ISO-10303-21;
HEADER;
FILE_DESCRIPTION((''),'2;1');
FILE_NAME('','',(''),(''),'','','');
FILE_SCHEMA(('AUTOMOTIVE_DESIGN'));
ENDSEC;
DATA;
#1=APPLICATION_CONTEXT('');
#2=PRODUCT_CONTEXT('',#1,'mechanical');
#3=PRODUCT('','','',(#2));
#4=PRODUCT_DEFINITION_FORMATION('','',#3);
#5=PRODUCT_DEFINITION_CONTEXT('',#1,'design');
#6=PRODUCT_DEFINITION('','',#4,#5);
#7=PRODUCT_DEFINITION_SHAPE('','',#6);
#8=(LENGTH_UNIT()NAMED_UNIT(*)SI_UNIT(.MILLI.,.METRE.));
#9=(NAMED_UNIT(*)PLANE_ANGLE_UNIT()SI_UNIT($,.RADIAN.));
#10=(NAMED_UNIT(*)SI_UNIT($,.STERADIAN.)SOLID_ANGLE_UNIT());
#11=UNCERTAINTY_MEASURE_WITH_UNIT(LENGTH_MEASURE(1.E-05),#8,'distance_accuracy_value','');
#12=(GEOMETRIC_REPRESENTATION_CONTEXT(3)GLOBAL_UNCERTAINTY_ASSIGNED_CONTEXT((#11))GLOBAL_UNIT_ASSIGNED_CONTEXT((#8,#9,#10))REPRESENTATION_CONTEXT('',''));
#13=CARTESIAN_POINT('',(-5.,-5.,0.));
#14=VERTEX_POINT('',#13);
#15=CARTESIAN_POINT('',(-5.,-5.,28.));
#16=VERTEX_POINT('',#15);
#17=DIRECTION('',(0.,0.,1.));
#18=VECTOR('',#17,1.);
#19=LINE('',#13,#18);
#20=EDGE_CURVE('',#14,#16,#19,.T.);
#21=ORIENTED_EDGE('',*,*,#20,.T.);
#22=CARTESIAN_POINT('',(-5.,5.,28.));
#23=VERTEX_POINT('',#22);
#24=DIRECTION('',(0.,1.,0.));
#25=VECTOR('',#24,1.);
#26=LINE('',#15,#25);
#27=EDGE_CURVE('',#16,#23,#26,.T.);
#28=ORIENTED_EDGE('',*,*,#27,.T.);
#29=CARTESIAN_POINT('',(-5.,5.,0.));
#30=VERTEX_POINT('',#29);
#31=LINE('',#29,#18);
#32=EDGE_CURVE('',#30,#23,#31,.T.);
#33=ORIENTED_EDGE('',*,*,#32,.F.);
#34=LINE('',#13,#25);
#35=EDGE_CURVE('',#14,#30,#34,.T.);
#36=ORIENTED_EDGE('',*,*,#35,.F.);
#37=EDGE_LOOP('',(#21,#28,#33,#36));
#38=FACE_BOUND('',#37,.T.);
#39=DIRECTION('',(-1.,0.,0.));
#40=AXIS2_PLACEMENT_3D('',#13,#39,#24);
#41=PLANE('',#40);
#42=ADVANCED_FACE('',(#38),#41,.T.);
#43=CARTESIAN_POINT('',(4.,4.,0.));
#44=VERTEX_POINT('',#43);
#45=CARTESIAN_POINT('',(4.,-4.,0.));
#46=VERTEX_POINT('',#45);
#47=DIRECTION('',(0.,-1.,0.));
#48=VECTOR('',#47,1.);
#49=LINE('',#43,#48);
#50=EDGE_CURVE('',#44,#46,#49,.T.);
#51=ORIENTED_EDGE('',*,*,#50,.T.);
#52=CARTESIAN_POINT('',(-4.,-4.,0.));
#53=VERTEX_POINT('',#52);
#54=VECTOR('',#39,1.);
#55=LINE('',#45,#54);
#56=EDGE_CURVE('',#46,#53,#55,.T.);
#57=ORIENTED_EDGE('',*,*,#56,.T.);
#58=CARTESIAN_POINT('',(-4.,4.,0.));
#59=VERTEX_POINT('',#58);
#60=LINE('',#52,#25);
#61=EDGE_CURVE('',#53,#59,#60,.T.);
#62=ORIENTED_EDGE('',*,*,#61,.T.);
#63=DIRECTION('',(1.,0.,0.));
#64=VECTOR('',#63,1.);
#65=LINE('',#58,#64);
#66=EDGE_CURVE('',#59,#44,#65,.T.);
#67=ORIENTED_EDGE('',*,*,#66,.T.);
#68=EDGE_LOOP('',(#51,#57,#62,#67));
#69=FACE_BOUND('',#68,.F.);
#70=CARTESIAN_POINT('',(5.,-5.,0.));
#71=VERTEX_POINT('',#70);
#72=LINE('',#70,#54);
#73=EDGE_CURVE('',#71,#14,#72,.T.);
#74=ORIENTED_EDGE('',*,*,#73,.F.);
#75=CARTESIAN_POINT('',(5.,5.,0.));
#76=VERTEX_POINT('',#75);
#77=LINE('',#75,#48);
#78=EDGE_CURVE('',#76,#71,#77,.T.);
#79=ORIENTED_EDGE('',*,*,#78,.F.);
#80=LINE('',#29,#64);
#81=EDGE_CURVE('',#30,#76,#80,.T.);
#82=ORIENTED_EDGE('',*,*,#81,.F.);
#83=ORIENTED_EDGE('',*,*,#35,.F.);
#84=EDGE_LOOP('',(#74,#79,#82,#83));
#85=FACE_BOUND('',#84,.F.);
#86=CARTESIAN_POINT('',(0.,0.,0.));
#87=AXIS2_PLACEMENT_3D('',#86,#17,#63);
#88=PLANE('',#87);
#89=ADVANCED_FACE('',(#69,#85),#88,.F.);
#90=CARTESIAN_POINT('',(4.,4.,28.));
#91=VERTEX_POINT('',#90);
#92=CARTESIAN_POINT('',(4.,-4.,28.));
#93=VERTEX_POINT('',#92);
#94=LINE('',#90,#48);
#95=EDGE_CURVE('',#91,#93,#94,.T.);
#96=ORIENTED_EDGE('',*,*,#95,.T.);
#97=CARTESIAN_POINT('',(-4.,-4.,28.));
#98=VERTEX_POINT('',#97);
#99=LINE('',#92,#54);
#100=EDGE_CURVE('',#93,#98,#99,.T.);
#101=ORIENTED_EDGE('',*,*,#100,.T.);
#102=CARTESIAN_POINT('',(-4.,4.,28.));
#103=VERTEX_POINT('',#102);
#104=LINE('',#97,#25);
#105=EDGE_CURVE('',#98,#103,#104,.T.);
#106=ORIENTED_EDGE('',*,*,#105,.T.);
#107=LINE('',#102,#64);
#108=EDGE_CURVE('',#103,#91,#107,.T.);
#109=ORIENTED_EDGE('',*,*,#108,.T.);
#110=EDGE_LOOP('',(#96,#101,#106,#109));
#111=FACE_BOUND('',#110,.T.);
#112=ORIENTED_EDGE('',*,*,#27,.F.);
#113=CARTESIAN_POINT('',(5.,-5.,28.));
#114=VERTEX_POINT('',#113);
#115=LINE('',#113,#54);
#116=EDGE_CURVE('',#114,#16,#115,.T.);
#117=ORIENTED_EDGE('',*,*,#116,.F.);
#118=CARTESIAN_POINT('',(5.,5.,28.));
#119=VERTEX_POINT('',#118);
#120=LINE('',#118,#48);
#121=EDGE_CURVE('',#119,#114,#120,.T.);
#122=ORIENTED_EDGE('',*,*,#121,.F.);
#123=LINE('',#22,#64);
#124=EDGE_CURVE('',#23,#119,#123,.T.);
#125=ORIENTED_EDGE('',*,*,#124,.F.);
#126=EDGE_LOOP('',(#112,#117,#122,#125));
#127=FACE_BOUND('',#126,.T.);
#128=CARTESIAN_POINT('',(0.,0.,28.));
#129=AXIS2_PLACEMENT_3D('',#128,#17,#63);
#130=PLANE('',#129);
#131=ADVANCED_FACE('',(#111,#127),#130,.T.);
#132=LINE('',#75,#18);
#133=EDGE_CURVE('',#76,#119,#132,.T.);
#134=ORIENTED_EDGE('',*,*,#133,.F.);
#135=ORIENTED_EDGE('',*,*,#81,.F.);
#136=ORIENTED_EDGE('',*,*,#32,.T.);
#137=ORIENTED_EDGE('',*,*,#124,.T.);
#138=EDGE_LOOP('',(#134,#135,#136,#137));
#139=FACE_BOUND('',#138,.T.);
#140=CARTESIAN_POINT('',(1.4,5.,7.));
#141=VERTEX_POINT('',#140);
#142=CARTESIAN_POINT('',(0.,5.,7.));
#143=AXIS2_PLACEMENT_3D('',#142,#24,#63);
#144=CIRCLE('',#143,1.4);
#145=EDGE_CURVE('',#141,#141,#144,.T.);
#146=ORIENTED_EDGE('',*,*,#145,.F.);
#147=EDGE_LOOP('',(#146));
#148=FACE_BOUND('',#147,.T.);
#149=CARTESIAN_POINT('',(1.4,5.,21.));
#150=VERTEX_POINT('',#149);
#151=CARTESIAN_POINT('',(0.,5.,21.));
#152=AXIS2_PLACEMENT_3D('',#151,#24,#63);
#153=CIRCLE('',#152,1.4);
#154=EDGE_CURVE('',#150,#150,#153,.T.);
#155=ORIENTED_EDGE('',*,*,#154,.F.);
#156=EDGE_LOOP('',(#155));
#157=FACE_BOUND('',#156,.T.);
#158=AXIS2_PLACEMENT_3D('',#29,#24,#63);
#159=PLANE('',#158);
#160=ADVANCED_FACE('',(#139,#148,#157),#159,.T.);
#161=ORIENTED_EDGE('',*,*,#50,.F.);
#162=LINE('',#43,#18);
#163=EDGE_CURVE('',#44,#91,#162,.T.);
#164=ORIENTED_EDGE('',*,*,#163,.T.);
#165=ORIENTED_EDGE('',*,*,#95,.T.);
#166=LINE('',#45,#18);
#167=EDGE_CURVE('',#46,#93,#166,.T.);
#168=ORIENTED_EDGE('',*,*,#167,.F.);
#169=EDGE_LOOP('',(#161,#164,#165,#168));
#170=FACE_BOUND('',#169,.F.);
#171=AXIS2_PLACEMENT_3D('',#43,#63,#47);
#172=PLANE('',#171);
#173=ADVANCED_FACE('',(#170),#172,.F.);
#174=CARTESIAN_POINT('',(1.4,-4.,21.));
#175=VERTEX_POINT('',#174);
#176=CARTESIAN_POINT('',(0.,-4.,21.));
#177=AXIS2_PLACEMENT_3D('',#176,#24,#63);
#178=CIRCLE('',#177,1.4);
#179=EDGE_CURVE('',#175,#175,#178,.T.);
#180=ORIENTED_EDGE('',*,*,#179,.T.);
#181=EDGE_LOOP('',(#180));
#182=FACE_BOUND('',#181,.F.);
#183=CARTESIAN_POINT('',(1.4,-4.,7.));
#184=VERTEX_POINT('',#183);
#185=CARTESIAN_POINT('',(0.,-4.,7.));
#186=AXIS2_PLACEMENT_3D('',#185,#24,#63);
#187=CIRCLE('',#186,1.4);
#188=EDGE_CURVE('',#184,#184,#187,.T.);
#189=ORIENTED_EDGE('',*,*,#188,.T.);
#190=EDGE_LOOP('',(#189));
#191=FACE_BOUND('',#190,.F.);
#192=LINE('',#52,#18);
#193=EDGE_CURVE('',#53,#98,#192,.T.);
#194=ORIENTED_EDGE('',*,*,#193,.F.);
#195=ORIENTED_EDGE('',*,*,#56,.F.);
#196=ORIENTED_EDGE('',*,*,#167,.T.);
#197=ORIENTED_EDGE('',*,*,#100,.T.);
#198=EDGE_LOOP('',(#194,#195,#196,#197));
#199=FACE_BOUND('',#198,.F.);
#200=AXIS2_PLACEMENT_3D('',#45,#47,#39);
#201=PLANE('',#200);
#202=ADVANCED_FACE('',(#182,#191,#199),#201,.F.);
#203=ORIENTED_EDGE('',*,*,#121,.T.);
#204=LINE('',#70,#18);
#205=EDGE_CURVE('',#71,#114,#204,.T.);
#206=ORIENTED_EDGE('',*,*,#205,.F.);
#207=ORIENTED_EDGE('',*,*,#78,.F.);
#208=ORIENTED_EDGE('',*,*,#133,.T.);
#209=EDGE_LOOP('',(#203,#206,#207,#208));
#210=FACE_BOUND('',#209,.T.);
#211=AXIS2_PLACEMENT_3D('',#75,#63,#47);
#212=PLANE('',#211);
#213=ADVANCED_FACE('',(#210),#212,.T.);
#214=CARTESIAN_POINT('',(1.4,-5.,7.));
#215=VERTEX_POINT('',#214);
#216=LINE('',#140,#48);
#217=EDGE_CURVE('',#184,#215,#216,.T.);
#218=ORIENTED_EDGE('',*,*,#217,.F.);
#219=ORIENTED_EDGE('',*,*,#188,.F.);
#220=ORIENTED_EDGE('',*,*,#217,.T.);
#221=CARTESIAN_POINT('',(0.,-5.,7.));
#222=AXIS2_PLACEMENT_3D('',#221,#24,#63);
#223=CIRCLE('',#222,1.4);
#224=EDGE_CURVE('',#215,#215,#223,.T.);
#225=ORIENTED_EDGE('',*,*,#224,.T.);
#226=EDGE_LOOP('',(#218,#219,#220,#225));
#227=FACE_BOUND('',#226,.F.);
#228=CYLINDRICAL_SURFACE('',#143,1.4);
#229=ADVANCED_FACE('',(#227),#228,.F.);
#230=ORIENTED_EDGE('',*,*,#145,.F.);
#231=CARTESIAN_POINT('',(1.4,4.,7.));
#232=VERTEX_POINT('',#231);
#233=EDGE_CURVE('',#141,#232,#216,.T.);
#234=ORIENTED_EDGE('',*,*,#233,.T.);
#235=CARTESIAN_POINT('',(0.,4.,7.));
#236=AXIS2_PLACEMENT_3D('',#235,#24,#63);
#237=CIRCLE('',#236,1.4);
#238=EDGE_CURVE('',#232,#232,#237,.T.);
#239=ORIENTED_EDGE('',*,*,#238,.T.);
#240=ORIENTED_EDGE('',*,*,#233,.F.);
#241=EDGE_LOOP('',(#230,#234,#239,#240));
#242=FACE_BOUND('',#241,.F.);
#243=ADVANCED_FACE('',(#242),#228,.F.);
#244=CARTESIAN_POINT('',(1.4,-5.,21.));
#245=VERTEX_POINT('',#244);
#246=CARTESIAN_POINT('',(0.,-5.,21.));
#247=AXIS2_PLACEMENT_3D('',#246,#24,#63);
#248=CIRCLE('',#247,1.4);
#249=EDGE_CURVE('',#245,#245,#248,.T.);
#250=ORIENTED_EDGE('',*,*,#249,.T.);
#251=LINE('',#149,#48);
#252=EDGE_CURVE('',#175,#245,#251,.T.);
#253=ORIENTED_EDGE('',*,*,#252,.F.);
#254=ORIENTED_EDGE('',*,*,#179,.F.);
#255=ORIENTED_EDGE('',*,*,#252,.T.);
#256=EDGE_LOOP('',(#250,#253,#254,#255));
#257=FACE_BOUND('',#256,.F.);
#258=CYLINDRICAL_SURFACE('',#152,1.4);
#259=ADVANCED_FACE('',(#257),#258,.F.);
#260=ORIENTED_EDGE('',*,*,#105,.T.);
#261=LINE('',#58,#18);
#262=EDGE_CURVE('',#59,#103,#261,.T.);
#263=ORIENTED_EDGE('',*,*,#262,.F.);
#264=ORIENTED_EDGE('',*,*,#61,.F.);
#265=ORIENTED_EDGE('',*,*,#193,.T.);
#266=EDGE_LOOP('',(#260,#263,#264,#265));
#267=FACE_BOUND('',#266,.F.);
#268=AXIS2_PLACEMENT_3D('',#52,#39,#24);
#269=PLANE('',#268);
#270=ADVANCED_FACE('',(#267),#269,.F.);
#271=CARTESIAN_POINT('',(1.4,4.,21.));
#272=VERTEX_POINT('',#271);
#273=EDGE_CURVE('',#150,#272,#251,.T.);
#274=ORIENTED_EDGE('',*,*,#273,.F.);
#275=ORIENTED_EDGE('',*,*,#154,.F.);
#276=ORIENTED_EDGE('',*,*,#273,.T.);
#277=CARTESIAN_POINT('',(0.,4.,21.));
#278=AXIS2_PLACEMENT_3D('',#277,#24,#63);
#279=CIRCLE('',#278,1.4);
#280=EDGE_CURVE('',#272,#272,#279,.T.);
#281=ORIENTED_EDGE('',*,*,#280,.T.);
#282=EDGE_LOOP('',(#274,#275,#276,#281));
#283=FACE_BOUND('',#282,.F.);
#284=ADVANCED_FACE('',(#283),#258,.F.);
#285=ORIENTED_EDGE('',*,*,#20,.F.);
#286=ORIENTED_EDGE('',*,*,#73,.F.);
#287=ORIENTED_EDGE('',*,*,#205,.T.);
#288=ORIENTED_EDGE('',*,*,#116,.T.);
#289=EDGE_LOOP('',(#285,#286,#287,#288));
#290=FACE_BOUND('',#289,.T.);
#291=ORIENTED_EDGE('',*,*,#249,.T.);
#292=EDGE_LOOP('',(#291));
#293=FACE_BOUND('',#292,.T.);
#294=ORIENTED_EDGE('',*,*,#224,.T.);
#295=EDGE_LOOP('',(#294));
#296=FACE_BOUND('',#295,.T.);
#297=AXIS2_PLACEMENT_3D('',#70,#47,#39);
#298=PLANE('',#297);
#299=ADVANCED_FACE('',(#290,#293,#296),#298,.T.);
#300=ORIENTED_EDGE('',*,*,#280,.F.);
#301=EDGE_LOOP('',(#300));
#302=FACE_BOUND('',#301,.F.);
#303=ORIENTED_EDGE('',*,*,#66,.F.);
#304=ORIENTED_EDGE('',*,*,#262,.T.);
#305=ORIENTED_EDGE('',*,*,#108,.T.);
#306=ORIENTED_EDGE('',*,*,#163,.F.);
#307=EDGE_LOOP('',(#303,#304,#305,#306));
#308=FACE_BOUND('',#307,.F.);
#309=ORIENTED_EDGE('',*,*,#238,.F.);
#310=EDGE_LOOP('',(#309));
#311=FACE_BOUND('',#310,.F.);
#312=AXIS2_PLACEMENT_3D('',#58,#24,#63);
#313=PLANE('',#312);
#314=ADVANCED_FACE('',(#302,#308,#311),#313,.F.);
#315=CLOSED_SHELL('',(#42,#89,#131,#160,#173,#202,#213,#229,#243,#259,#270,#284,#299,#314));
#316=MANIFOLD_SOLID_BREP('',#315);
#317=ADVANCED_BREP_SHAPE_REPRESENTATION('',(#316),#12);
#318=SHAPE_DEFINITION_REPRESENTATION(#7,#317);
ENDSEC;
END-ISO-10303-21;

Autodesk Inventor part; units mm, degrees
ref_plane "YZ Plane" through (0, 0, 0) normal (1, 0, 0) x (0, 1, 0)
ref_plane "XZ Plane" through (0, 0, 0) normal (0, 1, 0) x (-1, 0, 0)
ref_plane "XY Plane" through (0, 0, 0) normal (0, 0, 1) x (1, 0, 0)
sketch "スケッチ1" plane through (0, 0, 0) normal (0, 0, 1) x (1, 0, 0)
  line L0 (-5, 5) -> (5, 5)
  line L1 (5, 5) -> (5, -5)
  line L2 (5, -5) -> (-5, -5)
  line L3 (-5, -5) -> (-5, 5)
  line L4 (-5, 5) -> (5, -5) construction
  line L5 (5, 5) -> (-5, -5) construction
  line L6 (-4, 4) -> (4, 4)
  line L7 (4, 4) -> (4, -4)
  line L8 (4, -4) -> (-4, -4)
  line L9 (-4, -4) -> (-4, 4)
  line L10 (-4, 4) -> (4, -4) construction
  line L11 (4, 4) -> (-4, -4) construction
  point P0 (0, 0)
  dimension "d0" = 10
  dimension "d1" = 10
  dimension "d2" = 8
extrude "押し出し1" add sketch "スケッチ1" along normal blind 28
sketch "スケッチ2" plane through (-5, 5, 0) normal (0, 1, 0) x (1, 0, 0)
  circle A0 centre (5, -7) radius 1.4 projected
  line L0 (0, 0) -> (0, -28) projected
  line L1 (0, -14) -> (10, -14)
  line L2 (10, 0) -> (10, -28) projected
  circle A1 centre (5, -21) radius 1.4
  point P0 (5, 0)
extrude "押し出し2" cut sketch "スケッチ2" against normal through all
properties part number "position_setter_bar" material "アルミニウム 6061"
